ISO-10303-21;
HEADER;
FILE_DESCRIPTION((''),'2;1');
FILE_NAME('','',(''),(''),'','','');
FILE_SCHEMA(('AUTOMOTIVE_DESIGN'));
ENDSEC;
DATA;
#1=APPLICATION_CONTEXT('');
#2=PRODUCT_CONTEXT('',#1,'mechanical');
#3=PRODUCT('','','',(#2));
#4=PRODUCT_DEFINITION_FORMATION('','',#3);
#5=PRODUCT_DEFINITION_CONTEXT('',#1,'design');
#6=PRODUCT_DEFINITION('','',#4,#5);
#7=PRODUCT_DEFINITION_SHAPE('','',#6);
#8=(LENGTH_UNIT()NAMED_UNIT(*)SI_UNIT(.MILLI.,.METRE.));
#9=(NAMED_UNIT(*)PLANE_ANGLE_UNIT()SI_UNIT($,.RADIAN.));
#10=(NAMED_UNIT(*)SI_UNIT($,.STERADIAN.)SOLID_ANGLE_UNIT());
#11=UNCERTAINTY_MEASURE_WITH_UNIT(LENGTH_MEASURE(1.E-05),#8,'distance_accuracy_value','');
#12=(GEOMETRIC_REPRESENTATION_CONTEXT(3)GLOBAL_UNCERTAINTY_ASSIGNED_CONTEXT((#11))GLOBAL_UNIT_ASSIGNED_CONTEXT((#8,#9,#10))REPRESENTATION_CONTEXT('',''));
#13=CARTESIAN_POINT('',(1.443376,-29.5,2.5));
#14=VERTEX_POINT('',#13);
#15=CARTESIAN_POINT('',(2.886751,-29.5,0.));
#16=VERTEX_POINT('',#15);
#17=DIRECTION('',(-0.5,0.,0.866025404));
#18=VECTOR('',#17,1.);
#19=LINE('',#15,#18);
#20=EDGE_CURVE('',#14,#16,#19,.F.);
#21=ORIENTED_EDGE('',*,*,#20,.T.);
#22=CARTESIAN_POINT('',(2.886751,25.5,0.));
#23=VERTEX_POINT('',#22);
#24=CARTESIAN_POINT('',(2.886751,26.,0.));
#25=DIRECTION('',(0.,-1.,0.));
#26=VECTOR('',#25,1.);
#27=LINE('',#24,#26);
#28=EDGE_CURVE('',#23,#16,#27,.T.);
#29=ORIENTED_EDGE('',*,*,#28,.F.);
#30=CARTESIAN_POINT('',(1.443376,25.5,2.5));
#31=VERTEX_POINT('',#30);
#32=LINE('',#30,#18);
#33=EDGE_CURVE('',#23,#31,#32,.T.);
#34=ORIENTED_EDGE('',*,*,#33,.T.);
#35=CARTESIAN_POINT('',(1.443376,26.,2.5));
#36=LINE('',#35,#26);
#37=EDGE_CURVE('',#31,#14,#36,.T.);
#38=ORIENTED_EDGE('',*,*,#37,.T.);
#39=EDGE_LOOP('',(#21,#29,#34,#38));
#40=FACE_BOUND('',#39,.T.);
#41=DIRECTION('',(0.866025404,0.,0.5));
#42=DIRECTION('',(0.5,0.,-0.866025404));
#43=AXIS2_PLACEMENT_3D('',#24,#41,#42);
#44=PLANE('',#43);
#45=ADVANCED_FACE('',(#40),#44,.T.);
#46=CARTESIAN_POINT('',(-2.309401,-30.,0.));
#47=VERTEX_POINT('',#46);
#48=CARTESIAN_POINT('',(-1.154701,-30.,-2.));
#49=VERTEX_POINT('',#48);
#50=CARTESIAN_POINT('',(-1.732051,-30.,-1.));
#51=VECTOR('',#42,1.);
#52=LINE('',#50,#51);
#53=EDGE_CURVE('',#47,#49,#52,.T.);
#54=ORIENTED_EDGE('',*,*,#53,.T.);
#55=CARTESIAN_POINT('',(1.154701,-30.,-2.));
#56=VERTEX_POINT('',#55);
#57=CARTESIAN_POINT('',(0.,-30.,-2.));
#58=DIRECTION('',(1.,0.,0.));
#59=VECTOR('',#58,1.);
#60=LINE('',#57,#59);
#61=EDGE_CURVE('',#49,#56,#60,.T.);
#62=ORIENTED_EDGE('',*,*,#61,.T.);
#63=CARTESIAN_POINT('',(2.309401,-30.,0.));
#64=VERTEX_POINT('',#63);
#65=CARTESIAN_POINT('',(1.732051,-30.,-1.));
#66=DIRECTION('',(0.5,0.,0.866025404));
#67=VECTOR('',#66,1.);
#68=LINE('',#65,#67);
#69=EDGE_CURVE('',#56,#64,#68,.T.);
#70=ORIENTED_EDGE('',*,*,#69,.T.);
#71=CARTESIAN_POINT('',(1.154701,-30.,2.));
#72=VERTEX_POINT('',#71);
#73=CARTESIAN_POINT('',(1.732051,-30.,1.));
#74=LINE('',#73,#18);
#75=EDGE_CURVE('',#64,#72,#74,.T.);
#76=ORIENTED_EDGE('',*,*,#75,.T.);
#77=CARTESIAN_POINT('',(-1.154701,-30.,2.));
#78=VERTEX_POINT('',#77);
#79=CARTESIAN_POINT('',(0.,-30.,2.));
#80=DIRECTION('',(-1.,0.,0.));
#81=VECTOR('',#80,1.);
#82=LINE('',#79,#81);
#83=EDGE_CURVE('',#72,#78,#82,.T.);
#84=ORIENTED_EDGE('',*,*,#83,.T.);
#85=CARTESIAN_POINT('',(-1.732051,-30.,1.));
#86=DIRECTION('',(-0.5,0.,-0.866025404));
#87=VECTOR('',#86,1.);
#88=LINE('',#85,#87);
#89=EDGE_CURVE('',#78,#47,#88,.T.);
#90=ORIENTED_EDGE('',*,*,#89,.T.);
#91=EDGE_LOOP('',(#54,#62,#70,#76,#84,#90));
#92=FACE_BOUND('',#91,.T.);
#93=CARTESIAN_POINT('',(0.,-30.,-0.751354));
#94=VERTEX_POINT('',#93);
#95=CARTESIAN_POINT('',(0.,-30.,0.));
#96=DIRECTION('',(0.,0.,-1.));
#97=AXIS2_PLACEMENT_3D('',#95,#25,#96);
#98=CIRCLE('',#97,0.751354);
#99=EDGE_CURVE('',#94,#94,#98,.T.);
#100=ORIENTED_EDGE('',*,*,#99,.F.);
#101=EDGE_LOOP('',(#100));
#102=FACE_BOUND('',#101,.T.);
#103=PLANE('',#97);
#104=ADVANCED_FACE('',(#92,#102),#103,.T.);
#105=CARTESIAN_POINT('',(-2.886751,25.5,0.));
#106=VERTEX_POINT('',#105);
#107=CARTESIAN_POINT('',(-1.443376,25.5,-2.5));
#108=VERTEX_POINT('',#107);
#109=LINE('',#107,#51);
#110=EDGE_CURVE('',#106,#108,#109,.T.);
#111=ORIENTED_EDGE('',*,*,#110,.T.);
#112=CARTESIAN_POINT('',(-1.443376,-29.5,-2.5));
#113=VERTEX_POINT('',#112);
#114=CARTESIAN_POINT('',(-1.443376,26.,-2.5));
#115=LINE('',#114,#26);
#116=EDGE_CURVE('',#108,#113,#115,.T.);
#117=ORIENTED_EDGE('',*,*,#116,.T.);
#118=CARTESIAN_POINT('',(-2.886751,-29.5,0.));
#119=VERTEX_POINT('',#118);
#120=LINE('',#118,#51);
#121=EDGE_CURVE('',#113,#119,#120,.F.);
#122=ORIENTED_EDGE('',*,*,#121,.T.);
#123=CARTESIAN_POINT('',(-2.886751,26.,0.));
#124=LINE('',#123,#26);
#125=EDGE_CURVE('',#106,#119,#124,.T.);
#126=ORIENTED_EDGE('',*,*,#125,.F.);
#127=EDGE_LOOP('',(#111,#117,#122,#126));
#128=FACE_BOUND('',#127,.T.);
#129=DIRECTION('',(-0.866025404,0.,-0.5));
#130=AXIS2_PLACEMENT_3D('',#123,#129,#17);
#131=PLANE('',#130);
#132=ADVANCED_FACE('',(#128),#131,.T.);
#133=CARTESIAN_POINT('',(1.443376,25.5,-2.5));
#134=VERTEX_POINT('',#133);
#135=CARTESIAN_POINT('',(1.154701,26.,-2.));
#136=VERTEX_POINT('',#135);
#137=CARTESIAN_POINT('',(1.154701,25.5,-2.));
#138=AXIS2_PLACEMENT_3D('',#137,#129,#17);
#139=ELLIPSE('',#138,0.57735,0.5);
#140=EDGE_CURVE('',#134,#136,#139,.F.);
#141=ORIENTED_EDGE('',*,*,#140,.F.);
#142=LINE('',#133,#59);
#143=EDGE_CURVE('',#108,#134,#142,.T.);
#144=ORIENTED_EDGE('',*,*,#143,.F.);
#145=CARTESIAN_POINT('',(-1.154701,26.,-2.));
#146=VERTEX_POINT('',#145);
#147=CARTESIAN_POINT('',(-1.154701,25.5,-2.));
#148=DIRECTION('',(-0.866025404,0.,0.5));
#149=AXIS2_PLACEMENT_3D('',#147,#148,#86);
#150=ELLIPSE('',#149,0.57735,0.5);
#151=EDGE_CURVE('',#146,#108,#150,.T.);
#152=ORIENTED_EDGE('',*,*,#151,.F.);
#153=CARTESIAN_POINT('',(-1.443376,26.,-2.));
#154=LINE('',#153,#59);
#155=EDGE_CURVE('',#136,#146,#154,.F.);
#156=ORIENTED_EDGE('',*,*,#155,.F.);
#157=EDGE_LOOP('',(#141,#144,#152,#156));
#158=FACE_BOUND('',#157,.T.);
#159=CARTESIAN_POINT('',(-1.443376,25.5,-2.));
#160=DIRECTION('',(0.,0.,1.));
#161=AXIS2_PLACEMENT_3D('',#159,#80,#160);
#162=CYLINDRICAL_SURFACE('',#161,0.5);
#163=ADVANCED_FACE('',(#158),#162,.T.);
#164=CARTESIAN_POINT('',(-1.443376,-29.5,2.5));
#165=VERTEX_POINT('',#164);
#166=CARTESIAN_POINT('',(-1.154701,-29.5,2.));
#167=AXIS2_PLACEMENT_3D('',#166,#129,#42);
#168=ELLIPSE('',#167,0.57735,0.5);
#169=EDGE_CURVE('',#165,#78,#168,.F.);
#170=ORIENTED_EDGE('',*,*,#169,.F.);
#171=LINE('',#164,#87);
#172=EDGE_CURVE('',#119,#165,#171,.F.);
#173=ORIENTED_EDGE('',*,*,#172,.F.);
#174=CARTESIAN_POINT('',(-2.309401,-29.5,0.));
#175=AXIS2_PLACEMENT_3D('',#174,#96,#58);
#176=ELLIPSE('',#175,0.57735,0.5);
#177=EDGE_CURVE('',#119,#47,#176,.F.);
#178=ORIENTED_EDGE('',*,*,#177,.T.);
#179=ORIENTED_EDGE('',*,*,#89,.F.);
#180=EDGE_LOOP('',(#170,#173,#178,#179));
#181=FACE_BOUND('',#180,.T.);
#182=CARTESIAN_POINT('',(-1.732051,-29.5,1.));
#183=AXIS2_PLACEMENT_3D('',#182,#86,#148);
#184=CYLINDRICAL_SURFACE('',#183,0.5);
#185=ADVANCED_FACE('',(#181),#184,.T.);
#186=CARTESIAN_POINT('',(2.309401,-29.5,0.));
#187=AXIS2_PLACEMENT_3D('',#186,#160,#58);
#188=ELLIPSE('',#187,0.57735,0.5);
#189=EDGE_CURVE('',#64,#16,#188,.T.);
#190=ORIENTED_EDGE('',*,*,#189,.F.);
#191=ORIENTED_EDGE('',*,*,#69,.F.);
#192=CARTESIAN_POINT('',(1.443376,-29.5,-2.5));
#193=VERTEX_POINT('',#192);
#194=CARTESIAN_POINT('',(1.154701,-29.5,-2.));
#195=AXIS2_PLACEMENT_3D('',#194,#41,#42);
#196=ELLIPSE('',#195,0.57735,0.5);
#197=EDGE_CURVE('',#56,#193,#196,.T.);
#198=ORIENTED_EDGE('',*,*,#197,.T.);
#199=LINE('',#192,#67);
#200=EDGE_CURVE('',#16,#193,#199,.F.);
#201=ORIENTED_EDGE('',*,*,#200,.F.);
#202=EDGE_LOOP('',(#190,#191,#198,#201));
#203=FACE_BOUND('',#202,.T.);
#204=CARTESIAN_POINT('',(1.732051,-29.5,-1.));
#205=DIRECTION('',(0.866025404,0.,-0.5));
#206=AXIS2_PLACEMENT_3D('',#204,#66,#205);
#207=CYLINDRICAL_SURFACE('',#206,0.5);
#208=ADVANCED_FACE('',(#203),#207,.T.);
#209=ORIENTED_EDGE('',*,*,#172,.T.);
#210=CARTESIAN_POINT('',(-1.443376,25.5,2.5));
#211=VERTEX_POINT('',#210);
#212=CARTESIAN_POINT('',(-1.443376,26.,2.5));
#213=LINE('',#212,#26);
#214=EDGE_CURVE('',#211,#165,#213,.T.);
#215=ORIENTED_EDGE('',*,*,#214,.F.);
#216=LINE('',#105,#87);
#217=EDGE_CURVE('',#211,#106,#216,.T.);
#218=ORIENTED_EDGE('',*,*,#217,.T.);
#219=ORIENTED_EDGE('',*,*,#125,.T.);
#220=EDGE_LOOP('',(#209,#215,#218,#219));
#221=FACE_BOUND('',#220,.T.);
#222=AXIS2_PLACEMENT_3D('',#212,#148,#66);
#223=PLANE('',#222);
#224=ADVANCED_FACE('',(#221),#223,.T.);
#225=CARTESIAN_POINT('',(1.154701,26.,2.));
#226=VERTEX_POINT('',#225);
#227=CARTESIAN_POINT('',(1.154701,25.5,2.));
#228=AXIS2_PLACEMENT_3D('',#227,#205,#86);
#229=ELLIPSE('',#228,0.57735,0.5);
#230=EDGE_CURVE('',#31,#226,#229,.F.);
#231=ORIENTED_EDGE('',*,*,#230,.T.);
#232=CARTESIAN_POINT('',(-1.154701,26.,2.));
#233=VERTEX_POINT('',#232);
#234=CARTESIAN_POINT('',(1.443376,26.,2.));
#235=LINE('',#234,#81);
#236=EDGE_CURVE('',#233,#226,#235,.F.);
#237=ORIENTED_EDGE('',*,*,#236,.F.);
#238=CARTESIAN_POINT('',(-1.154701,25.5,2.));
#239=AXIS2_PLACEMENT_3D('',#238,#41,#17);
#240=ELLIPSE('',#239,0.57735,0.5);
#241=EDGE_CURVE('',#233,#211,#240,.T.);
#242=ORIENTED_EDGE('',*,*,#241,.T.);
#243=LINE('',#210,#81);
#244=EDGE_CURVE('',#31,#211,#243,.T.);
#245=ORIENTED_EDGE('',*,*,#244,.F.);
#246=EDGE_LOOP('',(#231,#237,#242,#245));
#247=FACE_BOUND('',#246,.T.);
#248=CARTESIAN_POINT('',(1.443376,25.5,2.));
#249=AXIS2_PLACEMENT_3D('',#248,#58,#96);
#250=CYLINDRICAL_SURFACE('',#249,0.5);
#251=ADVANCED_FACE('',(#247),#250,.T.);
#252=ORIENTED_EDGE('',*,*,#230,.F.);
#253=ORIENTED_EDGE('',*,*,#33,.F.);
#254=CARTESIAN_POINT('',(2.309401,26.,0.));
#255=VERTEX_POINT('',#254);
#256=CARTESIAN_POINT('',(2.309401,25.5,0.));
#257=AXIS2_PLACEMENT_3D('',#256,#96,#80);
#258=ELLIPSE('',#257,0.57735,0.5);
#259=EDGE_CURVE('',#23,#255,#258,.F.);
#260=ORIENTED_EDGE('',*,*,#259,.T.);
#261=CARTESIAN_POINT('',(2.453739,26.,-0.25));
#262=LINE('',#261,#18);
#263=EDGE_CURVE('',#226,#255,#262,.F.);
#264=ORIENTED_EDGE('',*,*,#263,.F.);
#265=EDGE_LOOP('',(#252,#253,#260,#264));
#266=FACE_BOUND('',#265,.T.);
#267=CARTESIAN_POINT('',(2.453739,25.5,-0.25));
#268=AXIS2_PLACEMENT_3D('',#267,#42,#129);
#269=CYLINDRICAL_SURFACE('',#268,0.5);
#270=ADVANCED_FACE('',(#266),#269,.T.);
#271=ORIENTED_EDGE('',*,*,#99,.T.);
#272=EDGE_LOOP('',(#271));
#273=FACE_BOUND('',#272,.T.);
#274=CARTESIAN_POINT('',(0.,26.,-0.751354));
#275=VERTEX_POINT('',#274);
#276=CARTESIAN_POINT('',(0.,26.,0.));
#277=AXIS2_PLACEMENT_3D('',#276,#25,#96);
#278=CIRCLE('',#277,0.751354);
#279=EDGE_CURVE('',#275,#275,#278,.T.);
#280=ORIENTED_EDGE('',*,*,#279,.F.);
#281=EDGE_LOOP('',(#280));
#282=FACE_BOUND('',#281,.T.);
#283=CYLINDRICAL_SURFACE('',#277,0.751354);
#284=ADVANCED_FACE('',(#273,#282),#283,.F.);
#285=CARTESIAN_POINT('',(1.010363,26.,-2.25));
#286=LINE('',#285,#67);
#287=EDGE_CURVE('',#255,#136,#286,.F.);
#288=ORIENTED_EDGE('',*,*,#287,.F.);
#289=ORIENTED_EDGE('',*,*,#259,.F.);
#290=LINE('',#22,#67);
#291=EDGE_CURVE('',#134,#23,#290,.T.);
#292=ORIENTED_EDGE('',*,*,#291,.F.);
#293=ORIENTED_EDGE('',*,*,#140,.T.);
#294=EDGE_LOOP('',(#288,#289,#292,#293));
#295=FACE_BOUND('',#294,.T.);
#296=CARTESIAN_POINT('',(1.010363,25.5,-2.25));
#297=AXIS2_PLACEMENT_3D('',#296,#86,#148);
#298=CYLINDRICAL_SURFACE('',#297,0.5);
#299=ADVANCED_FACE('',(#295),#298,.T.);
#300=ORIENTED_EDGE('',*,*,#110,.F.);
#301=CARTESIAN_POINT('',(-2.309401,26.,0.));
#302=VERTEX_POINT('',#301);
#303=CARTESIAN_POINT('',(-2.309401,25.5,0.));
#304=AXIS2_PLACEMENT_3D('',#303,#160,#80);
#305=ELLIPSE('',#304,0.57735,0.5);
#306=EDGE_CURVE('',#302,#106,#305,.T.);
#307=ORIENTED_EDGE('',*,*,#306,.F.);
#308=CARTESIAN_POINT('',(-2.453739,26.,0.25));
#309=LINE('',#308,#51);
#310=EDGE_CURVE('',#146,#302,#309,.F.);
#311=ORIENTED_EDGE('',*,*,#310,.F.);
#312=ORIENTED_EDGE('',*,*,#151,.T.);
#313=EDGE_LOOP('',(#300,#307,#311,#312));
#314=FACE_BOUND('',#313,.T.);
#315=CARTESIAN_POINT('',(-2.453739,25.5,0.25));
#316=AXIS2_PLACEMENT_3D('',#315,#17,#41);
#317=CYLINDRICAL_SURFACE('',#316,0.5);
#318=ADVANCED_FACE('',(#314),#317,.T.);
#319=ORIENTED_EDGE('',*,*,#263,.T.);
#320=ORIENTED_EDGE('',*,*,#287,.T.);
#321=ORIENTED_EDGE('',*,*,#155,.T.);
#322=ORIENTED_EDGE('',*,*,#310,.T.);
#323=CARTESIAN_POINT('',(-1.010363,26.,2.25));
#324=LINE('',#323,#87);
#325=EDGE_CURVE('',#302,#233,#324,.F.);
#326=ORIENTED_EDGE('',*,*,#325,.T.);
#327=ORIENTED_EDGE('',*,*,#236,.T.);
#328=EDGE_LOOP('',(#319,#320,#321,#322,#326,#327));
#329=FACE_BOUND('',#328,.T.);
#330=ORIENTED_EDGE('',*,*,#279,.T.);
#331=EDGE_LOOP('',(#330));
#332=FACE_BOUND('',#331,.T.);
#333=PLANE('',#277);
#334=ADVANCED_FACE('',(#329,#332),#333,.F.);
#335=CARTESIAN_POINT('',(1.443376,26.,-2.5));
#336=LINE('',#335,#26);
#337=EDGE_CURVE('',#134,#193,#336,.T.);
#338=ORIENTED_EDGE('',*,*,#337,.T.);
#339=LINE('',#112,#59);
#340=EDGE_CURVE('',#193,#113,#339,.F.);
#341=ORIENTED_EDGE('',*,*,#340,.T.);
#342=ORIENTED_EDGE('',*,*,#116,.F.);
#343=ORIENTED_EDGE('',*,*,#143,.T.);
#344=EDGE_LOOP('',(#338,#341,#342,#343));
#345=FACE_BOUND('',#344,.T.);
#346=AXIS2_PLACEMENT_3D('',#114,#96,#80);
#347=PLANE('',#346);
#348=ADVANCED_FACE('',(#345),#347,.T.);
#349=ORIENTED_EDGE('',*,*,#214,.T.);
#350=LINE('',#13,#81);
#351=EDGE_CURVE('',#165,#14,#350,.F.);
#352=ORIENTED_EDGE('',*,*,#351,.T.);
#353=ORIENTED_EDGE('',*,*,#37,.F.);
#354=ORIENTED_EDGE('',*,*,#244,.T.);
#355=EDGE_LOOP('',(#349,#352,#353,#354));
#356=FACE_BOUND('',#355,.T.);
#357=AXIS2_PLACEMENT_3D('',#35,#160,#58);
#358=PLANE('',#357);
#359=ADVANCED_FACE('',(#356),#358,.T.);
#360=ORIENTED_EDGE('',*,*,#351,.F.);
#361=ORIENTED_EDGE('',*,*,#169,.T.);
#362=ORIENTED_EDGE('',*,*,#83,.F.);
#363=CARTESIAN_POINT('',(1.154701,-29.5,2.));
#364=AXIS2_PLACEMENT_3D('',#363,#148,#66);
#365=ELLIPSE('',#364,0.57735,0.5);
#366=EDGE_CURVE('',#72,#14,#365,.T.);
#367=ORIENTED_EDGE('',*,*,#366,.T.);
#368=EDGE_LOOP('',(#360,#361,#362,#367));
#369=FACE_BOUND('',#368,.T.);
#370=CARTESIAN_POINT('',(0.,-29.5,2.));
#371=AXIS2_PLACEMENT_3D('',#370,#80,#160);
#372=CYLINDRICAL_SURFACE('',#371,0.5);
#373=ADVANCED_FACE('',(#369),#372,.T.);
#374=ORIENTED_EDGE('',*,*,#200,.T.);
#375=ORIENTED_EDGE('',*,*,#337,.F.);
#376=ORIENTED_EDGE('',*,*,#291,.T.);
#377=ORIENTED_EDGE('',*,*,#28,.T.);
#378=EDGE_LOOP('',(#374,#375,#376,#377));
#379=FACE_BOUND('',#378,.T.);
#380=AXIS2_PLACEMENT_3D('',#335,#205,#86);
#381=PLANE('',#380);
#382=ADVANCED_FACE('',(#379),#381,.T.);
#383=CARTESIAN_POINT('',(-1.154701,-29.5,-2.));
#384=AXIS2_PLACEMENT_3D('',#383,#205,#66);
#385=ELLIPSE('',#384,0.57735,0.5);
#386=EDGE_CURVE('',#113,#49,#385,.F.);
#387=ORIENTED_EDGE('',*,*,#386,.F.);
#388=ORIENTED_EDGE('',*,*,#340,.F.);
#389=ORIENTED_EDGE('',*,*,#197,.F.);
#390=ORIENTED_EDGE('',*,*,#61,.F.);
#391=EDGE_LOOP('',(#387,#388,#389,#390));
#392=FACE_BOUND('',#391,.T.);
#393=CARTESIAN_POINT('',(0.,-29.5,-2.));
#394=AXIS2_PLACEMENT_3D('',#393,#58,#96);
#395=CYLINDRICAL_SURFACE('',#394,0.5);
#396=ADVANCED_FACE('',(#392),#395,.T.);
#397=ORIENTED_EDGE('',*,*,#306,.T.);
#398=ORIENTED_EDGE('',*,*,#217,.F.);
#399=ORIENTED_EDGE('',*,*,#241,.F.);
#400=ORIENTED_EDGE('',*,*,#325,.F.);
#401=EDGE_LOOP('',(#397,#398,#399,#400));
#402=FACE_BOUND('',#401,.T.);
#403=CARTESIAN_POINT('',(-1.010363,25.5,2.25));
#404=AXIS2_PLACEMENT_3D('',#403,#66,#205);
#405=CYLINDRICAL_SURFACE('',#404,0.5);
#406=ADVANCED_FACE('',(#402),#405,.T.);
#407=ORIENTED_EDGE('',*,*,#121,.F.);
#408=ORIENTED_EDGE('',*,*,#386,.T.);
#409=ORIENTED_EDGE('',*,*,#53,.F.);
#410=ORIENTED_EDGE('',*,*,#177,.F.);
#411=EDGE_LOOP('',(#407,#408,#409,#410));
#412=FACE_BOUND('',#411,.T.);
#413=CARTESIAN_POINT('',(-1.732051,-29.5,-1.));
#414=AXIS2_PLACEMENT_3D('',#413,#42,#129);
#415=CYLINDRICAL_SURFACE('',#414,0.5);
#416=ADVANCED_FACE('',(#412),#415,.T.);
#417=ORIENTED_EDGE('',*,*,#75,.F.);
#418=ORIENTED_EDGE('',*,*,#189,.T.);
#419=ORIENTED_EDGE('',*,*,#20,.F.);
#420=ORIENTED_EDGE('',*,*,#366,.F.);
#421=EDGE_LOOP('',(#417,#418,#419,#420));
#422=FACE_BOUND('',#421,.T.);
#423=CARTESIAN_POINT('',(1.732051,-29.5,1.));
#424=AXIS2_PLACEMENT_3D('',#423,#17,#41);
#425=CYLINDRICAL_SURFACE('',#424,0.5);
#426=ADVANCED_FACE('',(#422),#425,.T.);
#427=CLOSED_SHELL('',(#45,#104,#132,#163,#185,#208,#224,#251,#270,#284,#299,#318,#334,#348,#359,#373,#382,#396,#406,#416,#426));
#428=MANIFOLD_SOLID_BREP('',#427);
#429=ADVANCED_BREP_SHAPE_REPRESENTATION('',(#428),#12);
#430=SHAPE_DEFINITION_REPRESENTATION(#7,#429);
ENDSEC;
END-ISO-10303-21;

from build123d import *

# Parameters (mm, degrees)
RESSALTO_EXTRUS_O1_DEPTH = 56
FILETE1_R                = 0.5
ESBO_O2_R                = 0.751353762
CORTE_EXTRUS_O1_DEPTH    = 57


with BuildPart() as part:
    # Esboço1 → Ressalto-extrusão1 (new body)
    with BuildSketch(Plane.XZ.offset(30)):
        Polygon((-1.443375673, -2.5), (1.443375673, -2.5), (2.886751346, 0), (1.443375673, 2.5), (-1.443375673, 2.5), (-2.886751346, 0), align=None)
    extrude(amount=-RESSALTO_EXTRUS_O1_DEPTH)

    # Filete1
    filete1_edges = [part.edges().sort_by_distance(p)[0] for p in [
        (2.165063509, 26, -1.25),
        (2.165063509, 26, 1.25),
        (0, 26, 2.5),
        (-2.165063509, 26, 1.25),
        (-2.165063509, 26, -1.25),
        (-2.165063509, -30, 1.25),
        (0, -30, 2.5),
        (2.165063509, -30, 1.25),
        (2.165063509, -30, -1.25),
        (0, -30, -2.5),
        (-2.165063509, -30, -1.25),
        (0, 26, -2.5),
    ]]
    fillet(filete1_edges, radius=FILETE1_R)

    # Esboço2 → Corte-extrusão1 (cut, through all)
    with BuildSketch(Plane.XZ.offset(30)):
        Circle(ESBO_O2_R)
    extrude(amount=-CORTE_EXTRUS_O1_DEPTH, mode=Mode.SUBTRACT)


solid = part.part
